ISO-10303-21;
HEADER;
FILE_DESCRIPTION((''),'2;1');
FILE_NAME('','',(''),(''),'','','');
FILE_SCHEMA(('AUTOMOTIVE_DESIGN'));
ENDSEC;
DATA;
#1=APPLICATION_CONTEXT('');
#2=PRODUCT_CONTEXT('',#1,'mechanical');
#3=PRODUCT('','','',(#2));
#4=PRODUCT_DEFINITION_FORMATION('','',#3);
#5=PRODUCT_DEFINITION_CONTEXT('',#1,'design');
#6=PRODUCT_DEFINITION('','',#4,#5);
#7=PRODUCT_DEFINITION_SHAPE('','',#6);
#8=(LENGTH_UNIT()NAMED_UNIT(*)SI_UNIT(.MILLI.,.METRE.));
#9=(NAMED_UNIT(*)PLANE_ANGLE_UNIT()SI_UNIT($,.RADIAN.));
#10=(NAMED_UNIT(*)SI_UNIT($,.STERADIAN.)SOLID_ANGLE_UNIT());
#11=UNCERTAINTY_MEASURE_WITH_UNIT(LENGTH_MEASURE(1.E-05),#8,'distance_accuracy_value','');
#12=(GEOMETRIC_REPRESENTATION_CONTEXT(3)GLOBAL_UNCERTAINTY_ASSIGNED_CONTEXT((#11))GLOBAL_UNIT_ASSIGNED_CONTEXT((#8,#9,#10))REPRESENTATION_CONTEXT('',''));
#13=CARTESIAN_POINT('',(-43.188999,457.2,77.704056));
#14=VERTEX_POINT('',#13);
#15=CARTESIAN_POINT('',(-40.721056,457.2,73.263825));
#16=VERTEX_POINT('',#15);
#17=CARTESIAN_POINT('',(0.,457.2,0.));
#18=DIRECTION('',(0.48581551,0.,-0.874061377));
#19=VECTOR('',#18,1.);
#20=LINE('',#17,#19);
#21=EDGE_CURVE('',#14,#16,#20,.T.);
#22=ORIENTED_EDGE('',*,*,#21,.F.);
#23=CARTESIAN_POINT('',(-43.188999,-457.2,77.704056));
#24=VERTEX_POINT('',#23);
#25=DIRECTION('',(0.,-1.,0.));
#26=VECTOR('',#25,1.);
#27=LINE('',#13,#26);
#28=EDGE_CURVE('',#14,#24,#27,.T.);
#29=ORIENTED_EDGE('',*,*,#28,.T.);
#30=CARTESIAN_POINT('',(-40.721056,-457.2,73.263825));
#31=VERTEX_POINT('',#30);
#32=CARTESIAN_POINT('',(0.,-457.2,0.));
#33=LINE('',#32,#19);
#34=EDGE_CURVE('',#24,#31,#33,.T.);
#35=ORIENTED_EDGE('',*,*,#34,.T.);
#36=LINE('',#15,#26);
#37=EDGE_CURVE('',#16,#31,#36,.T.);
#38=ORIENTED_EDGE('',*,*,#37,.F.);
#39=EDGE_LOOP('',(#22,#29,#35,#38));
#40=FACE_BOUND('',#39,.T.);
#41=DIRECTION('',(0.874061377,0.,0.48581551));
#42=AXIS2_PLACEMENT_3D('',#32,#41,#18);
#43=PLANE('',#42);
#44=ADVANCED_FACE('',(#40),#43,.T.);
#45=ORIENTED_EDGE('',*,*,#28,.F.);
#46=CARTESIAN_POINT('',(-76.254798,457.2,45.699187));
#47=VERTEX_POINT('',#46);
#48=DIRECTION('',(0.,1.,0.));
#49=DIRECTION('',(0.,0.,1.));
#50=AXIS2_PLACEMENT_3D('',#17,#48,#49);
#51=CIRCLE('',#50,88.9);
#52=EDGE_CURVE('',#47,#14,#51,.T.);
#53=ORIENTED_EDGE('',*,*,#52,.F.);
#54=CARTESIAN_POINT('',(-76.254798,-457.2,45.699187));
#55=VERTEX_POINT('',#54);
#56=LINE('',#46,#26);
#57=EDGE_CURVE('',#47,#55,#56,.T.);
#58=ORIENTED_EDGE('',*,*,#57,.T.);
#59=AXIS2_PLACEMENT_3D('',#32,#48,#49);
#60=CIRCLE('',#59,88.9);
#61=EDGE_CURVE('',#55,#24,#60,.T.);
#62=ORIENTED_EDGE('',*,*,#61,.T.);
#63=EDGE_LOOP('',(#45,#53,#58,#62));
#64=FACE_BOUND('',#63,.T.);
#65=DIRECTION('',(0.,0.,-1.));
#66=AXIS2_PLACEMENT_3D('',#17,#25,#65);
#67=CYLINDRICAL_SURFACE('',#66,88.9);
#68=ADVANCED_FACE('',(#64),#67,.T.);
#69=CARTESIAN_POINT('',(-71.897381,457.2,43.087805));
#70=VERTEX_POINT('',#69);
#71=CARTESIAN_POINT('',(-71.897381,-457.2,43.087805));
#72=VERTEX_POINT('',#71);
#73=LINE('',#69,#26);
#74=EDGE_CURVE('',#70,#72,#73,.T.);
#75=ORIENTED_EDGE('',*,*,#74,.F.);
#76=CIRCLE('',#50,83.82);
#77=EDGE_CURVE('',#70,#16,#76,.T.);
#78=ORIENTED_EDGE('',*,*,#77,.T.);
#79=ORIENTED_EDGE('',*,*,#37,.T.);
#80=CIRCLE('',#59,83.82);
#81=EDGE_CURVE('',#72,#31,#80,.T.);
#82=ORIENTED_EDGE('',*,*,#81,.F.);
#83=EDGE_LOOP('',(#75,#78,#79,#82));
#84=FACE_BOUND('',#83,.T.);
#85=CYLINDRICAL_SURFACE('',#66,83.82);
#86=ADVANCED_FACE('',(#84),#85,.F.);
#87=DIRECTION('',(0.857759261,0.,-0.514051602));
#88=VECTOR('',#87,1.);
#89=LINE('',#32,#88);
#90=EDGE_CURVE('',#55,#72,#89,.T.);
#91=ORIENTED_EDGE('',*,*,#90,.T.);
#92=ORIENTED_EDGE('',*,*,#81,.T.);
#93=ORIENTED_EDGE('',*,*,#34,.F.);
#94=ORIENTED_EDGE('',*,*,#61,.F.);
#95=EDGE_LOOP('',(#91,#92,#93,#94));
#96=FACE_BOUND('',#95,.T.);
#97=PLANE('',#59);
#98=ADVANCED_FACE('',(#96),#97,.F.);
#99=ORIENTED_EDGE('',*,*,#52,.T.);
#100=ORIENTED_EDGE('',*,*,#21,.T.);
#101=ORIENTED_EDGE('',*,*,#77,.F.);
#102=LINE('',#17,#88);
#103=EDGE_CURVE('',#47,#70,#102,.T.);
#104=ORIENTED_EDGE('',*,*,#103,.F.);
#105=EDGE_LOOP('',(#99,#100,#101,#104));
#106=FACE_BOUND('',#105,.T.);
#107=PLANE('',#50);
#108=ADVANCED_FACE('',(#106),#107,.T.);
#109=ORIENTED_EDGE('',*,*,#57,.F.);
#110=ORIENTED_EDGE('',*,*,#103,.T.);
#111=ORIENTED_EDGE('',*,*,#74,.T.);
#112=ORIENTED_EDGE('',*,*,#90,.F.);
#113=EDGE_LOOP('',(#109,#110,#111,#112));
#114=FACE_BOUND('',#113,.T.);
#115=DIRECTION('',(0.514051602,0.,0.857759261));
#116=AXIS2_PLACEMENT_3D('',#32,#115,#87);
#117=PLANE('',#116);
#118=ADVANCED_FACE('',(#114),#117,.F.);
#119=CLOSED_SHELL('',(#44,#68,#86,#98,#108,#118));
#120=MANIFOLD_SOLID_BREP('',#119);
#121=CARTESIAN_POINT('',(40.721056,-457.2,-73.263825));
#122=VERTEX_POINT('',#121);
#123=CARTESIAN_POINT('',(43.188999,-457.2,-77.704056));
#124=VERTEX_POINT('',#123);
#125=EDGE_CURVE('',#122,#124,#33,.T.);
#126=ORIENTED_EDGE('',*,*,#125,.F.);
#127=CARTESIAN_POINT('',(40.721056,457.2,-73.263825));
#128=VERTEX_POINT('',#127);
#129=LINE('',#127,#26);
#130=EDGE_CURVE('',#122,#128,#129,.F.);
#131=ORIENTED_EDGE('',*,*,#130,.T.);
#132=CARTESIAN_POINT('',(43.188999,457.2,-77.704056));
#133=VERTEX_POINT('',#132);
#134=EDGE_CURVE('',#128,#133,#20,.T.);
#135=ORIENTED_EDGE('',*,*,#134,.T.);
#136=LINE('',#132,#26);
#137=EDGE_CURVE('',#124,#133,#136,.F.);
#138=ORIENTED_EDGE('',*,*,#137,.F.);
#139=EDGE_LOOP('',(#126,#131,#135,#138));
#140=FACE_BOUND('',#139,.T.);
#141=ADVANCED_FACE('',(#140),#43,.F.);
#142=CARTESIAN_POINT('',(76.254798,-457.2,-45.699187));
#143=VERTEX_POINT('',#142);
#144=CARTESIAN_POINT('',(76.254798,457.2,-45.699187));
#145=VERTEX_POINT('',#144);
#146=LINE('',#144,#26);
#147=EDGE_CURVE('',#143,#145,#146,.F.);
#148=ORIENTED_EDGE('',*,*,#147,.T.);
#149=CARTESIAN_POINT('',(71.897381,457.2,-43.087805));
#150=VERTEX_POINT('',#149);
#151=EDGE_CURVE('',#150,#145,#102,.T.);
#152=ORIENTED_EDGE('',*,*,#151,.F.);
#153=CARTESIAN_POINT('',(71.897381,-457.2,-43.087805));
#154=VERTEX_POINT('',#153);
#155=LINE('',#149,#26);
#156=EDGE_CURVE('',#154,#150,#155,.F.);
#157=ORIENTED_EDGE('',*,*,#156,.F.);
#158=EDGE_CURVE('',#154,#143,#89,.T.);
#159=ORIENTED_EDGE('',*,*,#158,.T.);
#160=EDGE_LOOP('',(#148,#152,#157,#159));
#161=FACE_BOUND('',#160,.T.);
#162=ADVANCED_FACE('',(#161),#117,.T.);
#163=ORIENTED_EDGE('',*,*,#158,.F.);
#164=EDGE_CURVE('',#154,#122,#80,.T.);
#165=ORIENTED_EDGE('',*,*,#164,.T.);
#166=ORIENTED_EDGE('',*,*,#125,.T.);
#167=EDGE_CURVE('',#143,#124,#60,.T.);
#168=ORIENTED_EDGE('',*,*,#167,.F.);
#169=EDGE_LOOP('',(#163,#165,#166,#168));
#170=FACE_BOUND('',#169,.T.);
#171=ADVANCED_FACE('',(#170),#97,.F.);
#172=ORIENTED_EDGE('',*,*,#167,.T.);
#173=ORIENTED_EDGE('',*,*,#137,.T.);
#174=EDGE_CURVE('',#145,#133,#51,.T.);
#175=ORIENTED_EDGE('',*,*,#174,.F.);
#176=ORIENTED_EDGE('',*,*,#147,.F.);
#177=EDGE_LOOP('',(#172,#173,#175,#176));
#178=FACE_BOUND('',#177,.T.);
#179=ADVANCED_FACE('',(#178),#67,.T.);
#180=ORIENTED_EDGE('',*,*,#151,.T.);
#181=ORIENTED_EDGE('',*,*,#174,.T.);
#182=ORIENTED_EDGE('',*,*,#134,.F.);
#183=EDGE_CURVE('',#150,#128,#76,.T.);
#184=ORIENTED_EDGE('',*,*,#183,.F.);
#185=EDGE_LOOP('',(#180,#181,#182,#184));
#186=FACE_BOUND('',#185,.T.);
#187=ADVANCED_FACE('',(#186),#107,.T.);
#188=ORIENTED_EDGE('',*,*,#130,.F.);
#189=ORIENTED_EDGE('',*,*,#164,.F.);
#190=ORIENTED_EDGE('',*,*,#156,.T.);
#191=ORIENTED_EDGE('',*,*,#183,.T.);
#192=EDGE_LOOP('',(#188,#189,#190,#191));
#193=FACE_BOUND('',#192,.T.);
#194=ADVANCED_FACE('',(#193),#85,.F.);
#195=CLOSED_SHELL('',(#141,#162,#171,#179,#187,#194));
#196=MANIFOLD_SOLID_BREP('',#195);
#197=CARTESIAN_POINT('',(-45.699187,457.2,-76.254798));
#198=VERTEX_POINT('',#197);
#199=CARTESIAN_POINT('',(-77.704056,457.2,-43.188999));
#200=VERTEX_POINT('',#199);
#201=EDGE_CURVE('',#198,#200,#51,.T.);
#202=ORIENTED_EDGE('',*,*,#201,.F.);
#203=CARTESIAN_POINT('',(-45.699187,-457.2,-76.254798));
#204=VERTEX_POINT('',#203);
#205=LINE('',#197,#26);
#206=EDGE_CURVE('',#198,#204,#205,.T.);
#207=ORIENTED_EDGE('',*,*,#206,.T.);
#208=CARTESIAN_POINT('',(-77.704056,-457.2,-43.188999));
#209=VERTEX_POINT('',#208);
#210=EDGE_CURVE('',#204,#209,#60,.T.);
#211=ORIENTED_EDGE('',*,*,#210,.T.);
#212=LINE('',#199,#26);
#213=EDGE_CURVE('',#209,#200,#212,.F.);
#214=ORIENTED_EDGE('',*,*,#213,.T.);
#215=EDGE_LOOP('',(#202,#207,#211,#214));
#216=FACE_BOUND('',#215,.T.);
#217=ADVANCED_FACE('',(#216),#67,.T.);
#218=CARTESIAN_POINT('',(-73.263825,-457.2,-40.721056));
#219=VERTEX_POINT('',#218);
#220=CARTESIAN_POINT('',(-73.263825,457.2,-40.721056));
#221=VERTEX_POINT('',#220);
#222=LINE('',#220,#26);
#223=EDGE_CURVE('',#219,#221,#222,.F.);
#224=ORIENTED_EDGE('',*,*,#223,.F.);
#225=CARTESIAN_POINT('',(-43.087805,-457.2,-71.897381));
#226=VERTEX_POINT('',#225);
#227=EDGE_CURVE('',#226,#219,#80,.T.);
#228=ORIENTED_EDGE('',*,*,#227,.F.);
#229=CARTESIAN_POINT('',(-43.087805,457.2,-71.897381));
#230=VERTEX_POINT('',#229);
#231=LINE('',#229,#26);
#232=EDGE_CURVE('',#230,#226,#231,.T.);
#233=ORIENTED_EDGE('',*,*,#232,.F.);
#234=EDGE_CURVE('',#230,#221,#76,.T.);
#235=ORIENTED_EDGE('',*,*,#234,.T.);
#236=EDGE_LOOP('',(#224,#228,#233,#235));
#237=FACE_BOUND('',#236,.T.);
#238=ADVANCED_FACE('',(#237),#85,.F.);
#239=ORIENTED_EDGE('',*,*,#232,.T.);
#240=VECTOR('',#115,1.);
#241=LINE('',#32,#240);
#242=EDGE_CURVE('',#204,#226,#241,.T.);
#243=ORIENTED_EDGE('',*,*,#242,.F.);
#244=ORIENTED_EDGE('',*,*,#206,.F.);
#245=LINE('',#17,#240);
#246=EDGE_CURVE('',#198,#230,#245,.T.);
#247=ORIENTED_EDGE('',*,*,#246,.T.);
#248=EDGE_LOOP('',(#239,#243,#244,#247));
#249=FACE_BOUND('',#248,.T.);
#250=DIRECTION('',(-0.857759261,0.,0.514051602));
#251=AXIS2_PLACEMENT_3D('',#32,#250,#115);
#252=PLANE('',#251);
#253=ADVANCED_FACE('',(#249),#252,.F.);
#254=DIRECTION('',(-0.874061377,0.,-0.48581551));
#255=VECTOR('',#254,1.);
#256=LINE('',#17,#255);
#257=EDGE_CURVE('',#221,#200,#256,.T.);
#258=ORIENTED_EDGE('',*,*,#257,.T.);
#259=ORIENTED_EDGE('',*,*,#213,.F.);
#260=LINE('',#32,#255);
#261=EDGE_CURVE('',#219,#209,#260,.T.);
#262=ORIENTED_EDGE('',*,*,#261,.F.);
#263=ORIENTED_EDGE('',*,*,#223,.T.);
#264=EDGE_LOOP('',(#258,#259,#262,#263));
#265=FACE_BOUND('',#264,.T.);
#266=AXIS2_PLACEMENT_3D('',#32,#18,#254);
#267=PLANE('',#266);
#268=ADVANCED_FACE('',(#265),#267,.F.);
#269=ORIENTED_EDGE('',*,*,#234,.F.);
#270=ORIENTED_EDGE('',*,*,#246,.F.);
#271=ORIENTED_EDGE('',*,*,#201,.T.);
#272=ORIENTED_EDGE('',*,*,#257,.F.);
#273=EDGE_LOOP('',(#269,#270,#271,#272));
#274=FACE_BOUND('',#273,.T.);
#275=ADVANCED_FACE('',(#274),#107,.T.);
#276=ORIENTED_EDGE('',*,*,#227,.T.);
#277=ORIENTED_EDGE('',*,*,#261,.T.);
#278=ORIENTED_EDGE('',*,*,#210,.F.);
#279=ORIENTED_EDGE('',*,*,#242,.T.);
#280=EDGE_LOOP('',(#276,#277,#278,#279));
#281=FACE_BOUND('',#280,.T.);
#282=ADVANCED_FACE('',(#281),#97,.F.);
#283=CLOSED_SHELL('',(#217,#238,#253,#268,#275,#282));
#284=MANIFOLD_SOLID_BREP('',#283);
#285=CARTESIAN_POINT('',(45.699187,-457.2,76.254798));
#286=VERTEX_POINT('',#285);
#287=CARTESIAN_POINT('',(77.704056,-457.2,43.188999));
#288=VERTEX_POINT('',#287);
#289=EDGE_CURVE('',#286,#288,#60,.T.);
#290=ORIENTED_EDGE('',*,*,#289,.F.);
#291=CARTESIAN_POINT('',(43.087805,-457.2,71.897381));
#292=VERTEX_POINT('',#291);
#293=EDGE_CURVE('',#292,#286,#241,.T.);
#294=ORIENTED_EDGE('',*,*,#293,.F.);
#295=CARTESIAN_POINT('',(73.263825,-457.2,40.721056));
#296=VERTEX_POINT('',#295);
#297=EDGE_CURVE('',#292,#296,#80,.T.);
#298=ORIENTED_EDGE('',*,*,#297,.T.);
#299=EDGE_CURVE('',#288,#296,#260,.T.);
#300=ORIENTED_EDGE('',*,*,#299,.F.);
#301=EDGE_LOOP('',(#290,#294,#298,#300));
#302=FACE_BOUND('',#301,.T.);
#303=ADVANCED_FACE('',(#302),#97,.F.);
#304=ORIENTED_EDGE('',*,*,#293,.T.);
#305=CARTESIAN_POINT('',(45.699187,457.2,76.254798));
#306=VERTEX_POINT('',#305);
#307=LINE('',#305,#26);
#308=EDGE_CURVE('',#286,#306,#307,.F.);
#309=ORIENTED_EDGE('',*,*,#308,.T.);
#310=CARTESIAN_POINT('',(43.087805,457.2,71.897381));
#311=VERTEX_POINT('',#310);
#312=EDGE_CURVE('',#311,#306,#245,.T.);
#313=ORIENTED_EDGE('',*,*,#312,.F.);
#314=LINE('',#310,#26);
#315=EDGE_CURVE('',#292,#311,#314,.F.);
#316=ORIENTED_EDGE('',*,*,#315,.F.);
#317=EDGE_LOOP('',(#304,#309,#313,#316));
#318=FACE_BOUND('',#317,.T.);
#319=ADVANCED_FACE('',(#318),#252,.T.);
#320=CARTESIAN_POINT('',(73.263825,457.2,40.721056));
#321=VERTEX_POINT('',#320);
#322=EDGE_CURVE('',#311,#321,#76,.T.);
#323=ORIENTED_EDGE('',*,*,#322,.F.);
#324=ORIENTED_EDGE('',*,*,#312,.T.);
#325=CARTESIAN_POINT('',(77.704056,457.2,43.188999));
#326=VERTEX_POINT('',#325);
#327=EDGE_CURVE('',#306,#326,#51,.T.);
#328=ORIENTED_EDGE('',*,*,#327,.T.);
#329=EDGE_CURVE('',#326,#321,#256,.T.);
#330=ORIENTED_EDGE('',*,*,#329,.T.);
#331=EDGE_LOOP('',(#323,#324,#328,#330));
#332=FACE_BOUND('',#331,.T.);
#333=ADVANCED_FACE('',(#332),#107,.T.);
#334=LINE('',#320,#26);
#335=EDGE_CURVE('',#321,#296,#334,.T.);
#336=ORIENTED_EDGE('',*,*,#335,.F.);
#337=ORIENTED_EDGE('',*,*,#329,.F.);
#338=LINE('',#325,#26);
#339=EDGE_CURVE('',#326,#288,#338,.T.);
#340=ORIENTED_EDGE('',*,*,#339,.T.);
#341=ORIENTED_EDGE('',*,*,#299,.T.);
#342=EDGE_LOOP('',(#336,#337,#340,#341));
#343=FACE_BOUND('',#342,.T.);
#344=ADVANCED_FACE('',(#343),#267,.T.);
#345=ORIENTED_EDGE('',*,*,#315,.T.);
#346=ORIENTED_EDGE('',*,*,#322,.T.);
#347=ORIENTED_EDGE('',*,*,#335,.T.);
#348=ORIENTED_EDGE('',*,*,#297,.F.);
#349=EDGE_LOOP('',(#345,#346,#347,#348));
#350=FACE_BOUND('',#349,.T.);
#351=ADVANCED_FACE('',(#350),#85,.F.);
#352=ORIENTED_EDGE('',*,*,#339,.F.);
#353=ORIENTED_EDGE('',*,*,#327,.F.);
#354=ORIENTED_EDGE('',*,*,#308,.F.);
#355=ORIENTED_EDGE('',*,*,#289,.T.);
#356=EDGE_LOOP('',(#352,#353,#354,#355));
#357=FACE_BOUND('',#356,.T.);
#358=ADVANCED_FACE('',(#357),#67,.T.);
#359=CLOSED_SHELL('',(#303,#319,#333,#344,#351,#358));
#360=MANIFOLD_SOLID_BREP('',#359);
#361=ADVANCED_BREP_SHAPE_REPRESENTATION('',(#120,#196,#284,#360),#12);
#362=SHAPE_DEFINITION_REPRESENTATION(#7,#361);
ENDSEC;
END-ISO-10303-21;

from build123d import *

# Parameters (mm, degrees)
SKETCH2_R               = 88.9
SKETCH2_R_2             = 83.82
BOSS_EXTRUDE1_DEPTH     = 457.2
CUT_EXTRUDE1_DEPTH      = 458.2
CUT_EXTRUDE1_DEPTH_BACK = 458.2


with BuildPart() as part:
    # Sketch2 → Boss-Extrude1 (new body, symmetric)
    with BuildSketch(Plane(origin=(0, 0, 0), x_dir=(1, 0, 0), z_dir=(0, 1, 0))):
        Circle(SKETCH2_R)
        Circle(SKETCH2_R_2, mode=Mode.SUBTRACT)
    extrude(amount=BOSS_EXTRUDE1_DEPTH, both=True)

    # Sketch3 → Cut-Extrude1 (cut, two sides)
    with BuildSketch(Plane(origin=(0, 0, 0), x_dir=(1, 0, 0), z_dir=(0, 1, 0))) as cut_extrude1_sk:
        Polygon((169.661755759, -94.300371224), (0, 0), (169.661755759, 101.677593364), align=None)
        Polygon((0, 0), (53.900027233, 96.974944394), (-58.116685864, 96.974944394), align=None)
        Polygon((-123.741299607, 68.777140945), (-123.741299607, -74.157652604), (0, 0), align=None)
        Polygon((-65.840936026, -118.45858783), (0, 0), (70.991745134, -118.45858783), align=None)
    extrude(amount=CUT_EXTRUDE1_DEPTH, mode=Mode.SUBTRACT)
    extrude(cut_extrude1_sk.sketch, amount=-CUT_EXTRUDE1_DEPTH_BACK, mode=Mode.SUBTRACT)


solid = part.part
